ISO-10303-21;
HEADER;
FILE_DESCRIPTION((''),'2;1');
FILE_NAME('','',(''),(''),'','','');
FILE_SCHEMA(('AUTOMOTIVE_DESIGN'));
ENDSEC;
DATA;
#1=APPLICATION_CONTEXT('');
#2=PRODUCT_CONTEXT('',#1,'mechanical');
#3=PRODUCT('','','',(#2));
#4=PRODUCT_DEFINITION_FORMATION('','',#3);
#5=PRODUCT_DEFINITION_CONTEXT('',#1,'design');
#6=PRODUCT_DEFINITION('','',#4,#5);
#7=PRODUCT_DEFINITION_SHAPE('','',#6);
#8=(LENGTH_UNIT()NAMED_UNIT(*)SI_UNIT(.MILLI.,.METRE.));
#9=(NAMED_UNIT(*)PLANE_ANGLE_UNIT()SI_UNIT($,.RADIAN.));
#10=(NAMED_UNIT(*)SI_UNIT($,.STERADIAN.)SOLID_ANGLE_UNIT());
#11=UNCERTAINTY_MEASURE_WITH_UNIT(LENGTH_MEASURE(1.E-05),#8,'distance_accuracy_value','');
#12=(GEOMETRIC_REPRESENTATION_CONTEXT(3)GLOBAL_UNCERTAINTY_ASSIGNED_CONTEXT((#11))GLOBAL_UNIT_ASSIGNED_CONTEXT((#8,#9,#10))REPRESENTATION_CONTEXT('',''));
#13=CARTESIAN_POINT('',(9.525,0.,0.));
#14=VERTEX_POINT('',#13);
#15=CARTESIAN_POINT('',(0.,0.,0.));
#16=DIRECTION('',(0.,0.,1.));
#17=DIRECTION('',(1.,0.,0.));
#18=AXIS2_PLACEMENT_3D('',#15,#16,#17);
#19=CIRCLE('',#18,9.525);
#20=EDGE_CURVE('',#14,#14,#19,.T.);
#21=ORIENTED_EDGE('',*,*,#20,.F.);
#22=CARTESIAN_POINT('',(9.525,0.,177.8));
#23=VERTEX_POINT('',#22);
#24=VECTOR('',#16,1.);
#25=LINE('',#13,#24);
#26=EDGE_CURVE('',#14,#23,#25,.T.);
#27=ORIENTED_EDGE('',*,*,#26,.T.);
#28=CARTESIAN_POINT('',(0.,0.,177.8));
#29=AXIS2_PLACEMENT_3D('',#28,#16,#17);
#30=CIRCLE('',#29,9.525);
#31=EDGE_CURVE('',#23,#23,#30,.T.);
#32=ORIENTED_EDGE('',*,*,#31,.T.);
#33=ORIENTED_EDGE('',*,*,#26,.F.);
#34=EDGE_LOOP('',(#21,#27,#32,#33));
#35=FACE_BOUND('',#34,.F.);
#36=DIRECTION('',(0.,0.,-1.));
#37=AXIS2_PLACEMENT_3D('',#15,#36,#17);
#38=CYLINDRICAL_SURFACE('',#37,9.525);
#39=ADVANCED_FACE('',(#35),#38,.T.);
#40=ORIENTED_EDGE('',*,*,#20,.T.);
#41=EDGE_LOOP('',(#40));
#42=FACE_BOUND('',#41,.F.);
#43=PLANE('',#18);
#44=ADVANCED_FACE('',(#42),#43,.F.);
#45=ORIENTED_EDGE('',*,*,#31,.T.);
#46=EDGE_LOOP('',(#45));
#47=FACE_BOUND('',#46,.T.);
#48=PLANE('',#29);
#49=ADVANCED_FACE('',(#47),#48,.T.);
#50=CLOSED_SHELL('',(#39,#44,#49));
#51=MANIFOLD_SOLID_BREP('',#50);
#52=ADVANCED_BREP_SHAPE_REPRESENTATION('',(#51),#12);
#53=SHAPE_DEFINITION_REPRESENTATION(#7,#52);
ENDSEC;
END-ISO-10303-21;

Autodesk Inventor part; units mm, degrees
ref_plane "YZ Plane" through (0, 0, 0) normal (1, 0, 0) x (0, 1, 0)
ref_plane "XZ Plane" through (0, 0, 0) normal (0, 1, 0) x (-1, 0, 0)
ref_plane "XY Plane" through (0, 0, 0) normal (0, 0, 1) x (1, 0, 0)
sketch "Sketch1" plane through (0, 0, 0) normal (0, 0, 1) x (1, 0, 0)
  circle A0 centre (0, 0) radius 9.525
  dimension "d0" = 19.05
extrude "Extrusion1" add sketch "Sketch1" along normal blind 177.8
properties part number "front_tube_0"
